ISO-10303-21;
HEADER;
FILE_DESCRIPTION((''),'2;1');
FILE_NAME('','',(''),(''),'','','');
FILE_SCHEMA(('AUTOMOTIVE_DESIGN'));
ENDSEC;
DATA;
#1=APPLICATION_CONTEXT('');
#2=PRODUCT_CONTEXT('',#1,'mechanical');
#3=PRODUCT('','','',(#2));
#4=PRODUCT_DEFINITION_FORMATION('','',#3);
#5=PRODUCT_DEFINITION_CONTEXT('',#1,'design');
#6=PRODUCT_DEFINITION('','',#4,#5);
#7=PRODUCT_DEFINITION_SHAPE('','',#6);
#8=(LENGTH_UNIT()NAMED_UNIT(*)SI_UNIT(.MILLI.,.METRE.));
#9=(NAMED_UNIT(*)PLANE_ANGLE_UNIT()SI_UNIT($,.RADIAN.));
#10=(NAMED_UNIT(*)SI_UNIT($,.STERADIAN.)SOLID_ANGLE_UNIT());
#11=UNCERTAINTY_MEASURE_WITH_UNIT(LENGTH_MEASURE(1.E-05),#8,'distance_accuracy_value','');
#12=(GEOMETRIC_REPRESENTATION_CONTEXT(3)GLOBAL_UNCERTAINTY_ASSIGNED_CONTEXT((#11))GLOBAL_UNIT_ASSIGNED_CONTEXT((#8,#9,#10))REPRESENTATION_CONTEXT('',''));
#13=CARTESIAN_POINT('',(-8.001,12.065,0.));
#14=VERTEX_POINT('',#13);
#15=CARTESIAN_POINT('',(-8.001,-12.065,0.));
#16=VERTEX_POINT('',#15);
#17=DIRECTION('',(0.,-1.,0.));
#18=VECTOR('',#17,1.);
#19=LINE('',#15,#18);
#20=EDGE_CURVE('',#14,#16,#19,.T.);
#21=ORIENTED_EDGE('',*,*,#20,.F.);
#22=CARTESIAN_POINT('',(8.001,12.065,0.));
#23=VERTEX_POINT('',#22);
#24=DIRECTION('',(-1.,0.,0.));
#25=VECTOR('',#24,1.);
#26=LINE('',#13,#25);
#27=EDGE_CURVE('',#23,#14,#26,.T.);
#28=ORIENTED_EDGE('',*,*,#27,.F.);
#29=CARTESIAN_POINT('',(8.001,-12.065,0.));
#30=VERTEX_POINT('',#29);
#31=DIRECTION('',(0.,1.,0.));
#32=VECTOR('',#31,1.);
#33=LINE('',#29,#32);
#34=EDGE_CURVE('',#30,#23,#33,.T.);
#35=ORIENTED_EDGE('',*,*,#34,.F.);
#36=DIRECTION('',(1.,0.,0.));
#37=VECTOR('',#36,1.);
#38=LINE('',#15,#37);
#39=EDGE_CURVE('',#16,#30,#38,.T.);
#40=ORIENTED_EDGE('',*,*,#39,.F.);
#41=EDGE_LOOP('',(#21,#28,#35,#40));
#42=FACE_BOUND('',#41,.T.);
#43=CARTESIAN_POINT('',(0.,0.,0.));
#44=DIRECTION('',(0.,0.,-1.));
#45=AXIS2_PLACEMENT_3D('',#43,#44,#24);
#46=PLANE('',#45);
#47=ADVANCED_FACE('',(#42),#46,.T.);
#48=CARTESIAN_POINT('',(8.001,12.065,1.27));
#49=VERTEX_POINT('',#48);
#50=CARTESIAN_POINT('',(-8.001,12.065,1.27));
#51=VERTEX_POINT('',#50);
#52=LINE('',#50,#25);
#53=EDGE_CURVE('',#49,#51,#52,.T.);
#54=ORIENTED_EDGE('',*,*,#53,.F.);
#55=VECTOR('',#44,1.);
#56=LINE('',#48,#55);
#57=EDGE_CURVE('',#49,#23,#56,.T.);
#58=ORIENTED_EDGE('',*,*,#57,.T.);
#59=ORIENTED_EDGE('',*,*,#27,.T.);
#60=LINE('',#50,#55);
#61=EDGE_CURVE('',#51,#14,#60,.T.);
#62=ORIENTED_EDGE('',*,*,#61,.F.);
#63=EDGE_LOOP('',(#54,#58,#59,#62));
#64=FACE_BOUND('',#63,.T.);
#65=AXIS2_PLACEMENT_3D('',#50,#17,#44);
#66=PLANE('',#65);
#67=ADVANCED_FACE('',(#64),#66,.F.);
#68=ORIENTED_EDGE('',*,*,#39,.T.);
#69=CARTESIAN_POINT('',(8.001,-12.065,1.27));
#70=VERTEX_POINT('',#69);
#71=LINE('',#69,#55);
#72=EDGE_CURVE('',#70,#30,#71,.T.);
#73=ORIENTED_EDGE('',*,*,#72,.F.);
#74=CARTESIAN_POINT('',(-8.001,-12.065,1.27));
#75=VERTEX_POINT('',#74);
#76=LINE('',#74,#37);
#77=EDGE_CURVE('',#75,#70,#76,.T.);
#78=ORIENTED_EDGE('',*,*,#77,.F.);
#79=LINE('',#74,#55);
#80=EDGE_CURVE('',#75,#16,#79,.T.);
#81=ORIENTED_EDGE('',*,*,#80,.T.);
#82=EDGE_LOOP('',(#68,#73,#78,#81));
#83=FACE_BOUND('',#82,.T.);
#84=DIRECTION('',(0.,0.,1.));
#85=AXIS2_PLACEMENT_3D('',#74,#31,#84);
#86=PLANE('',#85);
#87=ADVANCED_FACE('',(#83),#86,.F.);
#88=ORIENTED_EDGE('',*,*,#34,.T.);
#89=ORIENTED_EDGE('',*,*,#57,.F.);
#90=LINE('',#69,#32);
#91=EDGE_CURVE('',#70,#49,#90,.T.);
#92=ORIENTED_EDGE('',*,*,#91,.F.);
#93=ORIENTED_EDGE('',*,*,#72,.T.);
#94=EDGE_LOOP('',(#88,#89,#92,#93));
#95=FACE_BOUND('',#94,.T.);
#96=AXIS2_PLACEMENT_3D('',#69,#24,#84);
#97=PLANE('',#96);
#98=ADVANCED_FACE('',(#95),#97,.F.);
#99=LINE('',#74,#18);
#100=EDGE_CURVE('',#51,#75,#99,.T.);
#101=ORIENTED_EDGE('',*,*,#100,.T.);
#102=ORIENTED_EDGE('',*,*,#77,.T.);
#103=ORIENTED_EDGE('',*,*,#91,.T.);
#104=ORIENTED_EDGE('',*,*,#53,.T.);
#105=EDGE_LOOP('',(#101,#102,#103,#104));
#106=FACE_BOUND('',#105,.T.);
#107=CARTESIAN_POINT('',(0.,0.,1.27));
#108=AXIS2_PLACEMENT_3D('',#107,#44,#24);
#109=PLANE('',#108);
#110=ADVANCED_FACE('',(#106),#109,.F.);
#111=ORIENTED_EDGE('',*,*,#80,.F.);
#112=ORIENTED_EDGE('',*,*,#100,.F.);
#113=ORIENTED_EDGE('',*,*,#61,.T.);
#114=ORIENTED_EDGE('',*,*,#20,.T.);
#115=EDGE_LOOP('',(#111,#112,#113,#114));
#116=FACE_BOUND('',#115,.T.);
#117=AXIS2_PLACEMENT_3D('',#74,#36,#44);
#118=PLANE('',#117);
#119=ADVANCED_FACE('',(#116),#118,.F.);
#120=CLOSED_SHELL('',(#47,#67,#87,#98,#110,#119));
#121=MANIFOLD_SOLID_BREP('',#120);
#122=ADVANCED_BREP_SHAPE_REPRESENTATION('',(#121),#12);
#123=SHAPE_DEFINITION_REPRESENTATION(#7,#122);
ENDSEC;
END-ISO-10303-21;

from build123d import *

# Parameters (mm, degrees)
SKETCH1_W           = 16.002
SKETCH1_H           = 24.13
BOSS_EXTRUDE1_DEPTH = 1.27


with BuildPart() as part:
    # Sketch1 → Boss-Extrude1 (new body)
    with BuildSketch(Plane.XY):
        Rectangle(SKETCH1_W, SKETCH1_H)
    extrude(amount=BOSS_EXTRUDE1_DEPTH)


solid = part.part
